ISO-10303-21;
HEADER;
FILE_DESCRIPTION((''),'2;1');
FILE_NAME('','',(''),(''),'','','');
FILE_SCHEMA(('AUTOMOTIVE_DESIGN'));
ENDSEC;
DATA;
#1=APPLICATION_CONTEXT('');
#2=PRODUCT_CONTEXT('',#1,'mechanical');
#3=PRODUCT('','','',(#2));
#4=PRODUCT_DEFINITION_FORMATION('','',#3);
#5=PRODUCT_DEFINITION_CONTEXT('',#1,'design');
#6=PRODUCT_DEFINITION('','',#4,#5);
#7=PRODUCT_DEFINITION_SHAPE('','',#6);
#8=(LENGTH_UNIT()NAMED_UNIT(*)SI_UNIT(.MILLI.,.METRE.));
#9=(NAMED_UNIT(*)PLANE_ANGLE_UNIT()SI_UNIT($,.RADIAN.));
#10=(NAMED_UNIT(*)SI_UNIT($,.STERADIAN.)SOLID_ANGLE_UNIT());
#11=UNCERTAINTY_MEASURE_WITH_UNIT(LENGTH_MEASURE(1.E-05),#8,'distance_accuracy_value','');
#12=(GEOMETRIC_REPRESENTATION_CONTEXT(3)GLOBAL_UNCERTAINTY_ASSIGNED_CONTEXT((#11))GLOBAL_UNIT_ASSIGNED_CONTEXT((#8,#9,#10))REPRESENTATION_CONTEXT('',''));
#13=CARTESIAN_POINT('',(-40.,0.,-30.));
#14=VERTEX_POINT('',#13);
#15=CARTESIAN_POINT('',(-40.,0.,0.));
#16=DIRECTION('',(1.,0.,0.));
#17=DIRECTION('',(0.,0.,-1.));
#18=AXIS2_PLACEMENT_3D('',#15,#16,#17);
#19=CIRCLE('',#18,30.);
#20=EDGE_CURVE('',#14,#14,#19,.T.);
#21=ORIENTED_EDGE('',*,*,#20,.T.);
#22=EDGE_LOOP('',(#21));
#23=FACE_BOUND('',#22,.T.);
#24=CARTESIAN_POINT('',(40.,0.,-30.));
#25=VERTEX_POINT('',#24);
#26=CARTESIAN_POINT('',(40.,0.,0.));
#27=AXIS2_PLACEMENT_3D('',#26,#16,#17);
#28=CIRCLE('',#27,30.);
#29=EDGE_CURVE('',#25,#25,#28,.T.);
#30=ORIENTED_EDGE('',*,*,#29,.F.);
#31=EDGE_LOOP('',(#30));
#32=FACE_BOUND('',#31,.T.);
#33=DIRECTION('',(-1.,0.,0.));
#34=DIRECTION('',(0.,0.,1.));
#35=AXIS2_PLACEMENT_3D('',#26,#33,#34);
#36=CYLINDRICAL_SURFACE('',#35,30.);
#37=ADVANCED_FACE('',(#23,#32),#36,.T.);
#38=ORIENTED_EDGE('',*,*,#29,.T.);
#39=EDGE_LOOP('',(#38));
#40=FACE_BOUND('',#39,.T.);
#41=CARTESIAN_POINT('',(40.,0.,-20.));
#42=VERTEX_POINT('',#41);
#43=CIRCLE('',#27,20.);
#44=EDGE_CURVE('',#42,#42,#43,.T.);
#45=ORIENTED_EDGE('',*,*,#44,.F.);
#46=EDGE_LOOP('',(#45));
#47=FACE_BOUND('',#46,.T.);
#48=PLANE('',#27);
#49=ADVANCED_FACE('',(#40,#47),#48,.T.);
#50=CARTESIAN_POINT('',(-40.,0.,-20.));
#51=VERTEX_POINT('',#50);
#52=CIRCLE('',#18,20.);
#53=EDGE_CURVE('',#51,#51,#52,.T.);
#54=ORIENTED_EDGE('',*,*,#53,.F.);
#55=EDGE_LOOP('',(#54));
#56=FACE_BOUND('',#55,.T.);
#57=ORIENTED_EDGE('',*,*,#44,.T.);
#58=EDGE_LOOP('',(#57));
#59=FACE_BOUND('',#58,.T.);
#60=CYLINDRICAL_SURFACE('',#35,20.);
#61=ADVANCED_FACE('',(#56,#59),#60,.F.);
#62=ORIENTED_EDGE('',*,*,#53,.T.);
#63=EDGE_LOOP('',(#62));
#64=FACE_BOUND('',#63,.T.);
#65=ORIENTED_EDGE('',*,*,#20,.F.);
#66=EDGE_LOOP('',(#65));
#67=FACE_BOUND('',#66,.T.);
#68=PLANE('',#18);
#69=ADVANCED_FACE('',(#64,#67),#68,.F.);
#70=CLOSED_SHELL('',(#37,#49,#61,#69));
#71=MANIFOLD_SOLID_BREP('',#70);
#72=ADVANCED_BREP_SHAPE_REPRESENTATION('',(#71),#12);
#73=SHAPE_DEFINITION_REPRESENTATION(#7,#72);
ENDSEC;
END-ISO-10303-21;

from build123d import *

# Parameters (mm, degrees)
SKETCH1_R           = 30
SKETCH1_R_2         = 20
BOSS_EXTRUDE1_DEPTH = 40


with BuildPart() as part:
    # Sketch1 → Boss-Extrude1 (new, symmetric)
    with BuildSketch(Plane(origin=(0, 0, 0), x_dir=(0, 0, -1), z_dir=(1, 0, 0))):
        Circle(SKETCH1_R)
        Circle(SKETCH1_R_2, mode=Mode.SUBTRACT)
    extrude(amount=BOSS_EXTRUDE1_DEPTH, both=True)


solid = part.part
